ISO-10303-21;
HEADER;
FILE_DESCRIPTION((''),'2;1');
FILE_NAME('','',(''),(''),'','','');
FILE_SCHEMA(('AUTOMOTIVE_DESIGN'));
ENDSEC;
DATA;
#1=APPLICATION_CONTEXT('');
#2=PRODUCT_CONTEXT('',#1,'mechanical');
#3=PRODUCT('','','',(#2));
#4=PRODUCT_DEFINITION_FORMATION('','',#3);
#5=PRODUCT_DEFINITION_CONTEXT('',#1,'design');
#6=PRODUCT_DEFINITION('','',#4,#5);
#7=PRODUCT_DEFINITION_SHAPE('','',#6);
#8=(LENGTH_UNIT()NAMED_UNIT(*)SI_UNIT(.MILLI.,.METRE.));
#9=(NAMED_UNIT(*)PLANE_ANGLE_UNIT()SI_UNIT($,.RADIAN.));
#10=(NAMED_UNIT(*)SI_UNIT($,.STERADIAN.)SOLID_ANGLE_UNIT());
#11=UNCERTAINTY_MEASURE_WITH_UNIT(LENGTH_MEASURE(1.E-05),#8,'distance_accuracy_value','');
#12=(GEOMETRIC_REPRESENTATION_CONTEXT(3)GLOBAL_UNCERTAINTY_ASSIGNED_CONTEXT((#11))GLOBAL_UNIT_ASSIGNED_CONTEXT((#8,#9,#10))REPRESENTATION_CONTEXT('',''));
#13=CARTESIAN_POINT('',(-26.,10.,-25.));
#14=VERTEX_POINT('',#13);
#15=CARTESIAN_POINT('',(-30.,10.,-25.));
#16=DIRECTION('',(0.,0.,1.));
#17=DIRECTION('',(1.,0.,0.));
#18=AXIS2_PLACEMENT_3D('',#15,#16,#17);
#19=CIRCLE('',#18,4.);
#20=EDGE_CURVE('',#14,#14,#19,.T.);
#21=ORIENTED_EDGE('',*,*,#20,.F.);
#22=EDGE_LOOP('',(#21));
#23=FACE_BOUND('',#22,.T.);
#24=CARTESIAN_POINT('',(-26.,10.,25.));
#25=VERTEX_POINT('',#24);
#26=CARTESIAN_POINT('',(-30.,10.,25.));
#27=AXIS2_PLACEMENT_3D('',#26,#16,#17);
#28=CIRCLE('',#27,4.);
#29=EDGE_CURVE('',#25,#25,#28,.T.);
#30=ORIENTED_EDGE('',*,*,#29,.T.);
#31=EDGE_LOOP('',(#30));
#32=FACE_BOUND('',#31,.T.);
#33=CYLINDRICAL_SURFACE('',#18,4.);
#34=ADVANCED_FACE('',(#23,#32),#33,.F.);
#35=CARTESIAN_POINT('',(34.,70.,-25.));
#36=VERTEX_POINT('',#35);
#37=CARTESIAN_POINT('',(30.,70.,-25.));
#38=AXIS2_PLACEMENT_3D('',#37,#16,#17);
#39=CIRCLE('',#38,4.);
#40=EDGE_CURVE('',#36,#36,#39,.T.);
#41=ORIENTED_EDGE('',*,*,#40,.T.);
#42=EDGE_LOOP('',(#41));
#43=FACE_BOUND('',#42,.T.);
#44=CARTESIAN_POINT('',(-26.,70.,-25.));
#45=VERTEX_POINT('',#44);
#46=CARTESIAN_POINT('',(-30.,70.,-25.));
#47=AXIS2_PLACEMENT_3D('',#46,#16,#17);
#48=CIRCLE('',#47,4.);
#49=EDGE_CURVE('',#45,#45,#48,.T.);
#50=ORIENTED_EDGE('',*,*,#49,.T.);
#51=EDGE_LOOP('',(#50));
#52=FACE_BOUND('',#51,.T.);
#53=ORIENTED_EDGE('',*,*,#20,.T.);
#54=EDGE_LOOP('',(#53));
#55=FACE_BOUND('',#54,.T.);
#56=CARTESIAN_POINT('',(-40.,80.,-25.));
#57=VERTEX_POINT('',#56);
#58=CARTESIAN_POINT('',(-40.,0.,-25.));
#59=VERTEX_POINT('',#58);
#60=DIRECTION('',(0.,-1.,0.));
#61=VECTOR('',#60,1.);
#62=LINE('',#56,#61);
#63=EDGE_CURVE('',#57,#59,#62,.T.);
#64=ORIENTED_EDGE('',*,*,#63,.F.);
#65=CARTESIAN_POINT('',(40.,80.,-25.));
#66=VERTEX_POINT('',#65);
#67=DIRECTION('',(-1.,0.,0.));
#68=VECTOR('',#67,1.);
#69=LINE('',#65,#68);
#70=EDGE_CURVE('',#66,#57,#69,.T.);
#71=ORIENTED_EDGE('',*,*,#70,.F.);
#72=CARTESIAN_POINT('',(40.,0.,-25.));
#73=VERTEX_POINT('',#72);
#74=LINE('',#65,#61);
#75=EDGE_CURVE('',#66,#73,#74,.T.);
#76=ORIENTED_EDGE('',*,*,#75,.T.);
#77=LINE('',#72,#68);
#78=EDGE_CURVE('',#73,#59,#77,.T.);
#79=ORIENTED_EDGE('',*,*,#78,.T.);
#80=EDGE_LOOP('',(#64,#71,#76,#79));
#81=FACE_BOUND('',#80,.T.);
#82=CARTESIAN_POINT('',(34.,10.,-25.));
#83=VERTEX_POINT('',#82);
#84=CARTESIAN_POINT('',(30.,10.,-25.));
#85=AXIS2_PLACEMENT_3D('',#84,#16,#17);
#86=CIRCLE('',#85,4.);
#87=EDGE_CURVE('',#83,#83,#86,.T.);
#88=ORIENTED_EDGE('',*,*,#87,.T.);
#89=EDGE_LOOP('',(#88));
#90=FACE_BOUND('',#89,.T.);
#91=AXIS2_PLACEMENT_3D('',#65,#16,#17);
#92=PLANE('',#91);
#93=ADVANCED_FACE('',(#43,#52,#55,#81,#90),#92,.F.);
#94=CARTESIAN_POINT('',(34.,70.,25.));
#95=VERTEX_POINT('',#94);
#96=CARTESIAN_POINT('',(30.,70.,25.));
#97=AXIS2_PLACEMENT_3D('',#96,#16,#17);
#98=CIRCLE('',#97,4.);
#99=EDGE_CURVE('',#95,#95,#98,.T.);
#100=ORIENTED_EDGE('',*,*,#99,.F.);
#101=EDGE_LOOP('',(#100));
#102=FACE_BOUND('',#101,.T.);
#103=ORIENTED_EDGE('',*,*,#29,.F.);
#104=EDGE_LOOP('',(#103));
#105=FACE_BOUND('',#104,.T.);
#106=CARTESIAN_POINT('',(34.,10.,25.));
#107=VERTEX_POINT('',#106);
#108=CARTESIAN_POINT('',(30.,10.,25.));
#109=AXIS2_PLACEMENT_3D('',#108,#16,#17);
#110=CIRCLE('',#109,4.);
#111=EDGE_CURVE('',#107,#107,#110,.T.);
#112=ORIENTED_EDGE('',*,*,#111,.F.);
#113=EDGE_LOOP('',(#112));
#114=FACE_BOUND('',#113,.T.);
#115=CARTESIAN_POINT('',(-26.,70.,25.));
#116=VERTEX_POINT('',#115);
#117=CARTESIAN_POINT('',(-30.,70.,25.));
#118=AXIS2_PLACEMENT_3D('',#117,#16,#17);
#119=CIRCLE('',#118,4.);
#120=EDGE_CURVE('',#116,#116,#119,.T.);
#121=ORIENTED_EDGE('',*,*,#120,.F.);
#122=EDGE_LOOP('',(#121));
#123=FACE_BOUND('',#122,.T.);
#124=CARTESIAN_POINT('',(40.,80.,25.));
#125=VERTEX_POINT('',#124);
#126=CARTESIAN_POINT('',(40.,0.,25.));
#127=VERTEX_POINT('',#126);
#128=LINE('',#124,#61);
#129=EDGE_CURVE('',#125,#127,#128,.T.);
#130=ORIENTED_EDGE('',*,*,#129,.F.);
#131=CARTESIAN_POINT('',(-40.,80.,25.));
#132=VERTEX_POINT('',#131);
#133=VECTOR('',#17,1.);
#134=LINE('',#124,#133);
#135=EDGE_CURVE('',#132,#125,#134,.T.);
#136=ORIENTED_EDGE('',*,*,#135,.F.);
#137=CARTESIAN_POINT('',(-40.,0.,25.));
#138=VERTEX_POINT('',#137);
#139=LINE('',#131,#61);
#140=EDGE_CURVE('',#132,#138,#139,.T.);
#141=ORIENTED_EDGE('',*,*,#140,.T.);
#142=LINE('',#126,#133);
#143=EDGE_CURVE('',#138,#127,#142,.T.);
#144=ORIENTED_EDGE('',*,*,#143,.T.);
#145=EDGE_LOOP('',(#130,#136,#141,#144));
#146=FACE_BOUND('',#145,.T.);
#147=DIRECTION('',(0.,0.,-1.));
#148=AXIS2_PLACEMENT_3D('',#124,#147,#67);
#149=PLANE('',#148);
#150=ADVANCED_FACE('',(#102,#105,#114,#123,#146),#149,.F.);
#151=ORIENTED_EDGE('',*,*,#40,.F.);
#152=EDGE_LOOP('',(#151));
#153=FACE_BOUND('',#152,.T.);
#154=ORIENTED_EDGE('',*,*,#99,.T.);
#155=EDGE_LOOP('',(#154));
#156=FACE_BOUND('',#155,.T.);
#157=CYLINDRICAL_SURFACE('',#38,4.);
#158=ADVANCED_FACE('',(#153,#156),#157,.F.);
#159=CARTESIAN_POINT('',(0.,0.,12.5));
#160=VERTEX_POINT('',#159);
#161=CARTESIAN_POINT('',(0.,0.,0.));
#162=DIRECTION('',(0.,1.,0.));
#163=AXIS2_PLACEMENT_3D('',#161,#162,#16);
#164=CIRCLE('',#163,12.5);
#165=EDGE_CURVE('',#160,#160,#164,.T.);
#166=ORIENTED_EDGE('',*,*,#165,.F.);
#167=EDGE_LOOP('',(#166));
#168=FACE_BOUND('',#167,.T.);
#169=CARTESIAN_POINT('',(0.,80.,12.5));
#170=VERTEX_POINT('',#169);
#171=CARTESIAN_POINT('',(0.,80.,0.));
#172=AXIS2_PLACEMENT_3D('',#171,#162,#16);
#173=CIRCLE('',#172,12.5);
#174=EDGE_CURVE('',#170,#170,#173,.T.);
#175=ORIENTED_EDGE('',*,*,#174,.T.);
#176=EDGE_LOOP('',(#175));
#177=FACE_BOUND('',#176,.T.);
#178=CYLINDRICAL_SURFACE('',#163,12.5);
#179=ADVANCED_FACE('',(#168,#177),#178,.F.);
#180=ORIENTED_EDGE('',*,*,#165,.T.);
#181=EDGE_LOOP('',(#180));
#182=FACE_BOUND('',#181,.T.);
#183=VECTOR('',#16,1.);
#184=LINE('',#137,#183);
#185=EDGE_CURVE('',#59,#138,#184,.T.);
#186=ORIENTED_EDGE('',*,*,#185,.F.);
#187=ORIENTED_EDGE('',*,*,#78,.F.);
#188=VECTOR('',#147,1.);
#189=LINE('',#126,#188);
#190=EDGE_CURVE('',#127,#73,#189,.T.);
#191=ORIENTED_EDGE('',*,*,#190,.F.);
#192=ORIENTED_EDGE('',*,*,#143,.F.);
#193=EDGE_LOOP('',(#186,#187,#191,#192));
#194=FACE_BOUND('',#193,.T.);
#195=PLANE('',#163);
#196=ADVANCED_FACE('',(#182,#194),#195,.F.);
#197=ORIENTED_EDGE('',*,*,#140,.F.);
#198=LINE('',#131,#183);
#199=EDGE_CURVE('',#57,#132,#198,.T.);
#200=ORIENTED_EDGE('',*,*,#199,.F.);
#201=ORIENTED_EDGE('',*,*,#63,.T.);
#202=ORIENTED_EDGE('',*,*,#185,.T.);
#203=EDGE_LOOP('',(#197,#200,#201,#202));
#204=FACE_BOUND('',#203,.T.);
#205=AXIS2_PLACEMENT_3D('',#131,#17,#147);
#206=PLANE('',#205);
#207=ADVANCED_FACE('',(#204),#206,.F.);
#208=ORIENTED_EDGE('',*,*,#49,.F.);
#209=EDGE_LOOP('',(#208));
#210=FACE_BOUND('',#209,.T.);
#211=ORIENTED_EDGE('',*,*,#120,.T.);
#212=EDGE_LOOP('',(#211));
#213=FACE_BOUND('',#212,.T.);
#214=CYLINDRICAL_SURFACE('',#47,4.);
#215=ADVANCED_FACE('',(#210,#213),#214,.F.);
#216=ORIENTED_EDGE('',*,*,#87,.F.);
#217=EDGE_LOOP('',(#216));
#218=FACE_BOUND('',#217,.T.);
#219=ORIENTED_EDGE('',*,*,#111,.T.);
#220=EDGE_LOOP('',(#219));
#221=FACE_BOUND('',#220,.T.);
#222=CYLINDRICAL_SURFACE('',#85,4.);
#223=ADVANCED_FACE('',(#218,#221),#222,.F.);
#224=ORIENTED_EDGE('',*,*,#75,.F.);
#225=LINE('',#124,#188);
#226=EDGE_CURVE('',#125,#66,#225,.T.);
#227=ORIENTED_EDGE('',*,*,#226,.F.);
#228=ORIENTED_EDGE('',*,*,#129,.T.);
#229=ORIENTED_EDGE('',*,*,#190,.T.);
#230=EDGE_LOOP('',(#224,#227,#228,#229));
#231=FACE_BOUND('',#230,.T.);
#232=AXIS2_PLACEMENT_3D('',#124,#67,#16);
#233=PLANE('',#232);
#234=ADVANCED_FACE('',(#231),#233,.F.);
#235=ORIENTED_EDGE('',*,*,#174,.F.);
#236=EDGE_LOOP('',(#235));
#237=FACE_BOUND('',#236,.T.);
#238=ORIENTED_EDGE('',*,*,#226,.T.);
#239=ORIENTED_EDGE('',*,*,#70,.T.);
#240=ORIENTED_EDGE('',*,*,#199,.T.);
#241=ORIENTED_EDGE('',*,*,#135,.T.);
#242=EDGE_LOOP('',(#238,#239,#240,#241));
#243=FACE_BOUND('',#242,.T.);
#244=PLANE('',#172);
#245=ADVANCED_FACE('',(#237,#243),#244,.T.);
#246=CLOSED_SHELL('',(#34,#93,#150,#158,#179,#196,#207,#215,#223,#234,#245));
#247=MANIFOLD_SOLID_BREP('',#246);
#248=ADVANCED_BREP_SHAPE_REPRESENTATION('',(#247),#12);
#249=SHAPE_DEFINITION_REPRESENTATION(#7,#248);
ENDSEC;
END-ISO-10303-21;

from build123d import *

# Parameters (mm, degrees)
SKETCH1_W           = 80
SKETCH1_H           = 50
BOSS_EXTRUDE1_DEPTH = 80
SKETCH2_R           = 12.5
CUT_EXTRUDE1_DEPTH  = 93.870878105
CUT_EXTRUDE2_DEPTH  = 103.46950766


with BuildPart() as part:
    # Sketch1 → Boss-Extrude1 (new body)
    with BuildSketch(Plane(origin=(0, 0, 0), x_dir=(1, 0, 0), z_dir=(0, 1, 0))):
        Rectangle(SKETCH1_W, SKETCH1_H)
    extrude(amount=BOSS_EXTRUDE1_DEPTH)

    # Sketch2 → Cut-Extrude1 (cut, through all)
    with BuildSketch(Plane(origin=(0, 80, 0), x_dir=(1, 0, 0), z_dir=(0, 1, 0))):
        with Locations(Location((0, 0, 0), (0, 0, 270))):
            Circle(SKETCH2_R)
    extrude(amount=-CUT_EXTRUDE1_DEPTH, mode=Mode.SUBTRACT)

    # Sketch3 → Cut-Extrude2 (cut, through all)
    with BuildSketch(Plane.XY.offset(25)):
        with BuildLine():
            ThreePointArc((-26, 70), (-32.828427125, 72.828427125), (-30, 66))
            Line((-30, 66), (-30, 70))
            Line((-30, 70), (-26, 70))
        make_face()
        with BuildLine():
            Line((-30, 70), (-30, 66))
            ThreePointArc((-30, 66), (-27.171572875, 67.171572875), (-26, 70))
            Line((-26, 70), (-30, 70))
        make_face()
        with BuildLine():
            ThreePointArc((-30, 14), (-32.828427125, 7.171572875), (-26, 10))
            Line((-26, 10), (-30, 10))
            Line((-30, 10), (-30, 14))
        make_face()
        with BuildLine():
            Line((-30, 10), (-26, 10))
            ThreePointArc((-26, 10), (-27.171572875, 12.828427125), (-30, 14))
            Line((-30, 14), (-30, 10))
        make_face()
        with BuildLine():
            ThreePointArc((30, 14), (27.171572875, 12.828427125), (26, 10))
            Line((26, 10), (30, 10))
            Line((30, 10), (30, 14))
        make_face()
        with BuildLine():
            Line((30, 10), (26, 10))
            ThreePointArc((26, 10), (30, 6), (34, 10))
            ThreePointArc((34, 10), (32.828427125, 12.828427125), (30, 14))
            Line((30, 14), (30, 10))
        make_face()
        with BuildLine():
            ThreePointArc((26, 70), (27.171572875, 67.171572875), (30, 66))
            Line((30, 66), (30, 70))
            Line((30, 70), (26, 70))
        make_face()
        with BuildLine():
            Line((30, 70), (30, 66))
            ThreePointArc((30, 66), (32.828427125, 67.171572875), (34, 70))
            ThreePointArc((34, 70), (30, 74), (26, 70))
            Line((26, 70), (30, 70))
        make_face()
    extrude(amount=-CUT_EXTRUDE2_DEPTH, mode=Mode.SUBTRACT)


solid = part.part
